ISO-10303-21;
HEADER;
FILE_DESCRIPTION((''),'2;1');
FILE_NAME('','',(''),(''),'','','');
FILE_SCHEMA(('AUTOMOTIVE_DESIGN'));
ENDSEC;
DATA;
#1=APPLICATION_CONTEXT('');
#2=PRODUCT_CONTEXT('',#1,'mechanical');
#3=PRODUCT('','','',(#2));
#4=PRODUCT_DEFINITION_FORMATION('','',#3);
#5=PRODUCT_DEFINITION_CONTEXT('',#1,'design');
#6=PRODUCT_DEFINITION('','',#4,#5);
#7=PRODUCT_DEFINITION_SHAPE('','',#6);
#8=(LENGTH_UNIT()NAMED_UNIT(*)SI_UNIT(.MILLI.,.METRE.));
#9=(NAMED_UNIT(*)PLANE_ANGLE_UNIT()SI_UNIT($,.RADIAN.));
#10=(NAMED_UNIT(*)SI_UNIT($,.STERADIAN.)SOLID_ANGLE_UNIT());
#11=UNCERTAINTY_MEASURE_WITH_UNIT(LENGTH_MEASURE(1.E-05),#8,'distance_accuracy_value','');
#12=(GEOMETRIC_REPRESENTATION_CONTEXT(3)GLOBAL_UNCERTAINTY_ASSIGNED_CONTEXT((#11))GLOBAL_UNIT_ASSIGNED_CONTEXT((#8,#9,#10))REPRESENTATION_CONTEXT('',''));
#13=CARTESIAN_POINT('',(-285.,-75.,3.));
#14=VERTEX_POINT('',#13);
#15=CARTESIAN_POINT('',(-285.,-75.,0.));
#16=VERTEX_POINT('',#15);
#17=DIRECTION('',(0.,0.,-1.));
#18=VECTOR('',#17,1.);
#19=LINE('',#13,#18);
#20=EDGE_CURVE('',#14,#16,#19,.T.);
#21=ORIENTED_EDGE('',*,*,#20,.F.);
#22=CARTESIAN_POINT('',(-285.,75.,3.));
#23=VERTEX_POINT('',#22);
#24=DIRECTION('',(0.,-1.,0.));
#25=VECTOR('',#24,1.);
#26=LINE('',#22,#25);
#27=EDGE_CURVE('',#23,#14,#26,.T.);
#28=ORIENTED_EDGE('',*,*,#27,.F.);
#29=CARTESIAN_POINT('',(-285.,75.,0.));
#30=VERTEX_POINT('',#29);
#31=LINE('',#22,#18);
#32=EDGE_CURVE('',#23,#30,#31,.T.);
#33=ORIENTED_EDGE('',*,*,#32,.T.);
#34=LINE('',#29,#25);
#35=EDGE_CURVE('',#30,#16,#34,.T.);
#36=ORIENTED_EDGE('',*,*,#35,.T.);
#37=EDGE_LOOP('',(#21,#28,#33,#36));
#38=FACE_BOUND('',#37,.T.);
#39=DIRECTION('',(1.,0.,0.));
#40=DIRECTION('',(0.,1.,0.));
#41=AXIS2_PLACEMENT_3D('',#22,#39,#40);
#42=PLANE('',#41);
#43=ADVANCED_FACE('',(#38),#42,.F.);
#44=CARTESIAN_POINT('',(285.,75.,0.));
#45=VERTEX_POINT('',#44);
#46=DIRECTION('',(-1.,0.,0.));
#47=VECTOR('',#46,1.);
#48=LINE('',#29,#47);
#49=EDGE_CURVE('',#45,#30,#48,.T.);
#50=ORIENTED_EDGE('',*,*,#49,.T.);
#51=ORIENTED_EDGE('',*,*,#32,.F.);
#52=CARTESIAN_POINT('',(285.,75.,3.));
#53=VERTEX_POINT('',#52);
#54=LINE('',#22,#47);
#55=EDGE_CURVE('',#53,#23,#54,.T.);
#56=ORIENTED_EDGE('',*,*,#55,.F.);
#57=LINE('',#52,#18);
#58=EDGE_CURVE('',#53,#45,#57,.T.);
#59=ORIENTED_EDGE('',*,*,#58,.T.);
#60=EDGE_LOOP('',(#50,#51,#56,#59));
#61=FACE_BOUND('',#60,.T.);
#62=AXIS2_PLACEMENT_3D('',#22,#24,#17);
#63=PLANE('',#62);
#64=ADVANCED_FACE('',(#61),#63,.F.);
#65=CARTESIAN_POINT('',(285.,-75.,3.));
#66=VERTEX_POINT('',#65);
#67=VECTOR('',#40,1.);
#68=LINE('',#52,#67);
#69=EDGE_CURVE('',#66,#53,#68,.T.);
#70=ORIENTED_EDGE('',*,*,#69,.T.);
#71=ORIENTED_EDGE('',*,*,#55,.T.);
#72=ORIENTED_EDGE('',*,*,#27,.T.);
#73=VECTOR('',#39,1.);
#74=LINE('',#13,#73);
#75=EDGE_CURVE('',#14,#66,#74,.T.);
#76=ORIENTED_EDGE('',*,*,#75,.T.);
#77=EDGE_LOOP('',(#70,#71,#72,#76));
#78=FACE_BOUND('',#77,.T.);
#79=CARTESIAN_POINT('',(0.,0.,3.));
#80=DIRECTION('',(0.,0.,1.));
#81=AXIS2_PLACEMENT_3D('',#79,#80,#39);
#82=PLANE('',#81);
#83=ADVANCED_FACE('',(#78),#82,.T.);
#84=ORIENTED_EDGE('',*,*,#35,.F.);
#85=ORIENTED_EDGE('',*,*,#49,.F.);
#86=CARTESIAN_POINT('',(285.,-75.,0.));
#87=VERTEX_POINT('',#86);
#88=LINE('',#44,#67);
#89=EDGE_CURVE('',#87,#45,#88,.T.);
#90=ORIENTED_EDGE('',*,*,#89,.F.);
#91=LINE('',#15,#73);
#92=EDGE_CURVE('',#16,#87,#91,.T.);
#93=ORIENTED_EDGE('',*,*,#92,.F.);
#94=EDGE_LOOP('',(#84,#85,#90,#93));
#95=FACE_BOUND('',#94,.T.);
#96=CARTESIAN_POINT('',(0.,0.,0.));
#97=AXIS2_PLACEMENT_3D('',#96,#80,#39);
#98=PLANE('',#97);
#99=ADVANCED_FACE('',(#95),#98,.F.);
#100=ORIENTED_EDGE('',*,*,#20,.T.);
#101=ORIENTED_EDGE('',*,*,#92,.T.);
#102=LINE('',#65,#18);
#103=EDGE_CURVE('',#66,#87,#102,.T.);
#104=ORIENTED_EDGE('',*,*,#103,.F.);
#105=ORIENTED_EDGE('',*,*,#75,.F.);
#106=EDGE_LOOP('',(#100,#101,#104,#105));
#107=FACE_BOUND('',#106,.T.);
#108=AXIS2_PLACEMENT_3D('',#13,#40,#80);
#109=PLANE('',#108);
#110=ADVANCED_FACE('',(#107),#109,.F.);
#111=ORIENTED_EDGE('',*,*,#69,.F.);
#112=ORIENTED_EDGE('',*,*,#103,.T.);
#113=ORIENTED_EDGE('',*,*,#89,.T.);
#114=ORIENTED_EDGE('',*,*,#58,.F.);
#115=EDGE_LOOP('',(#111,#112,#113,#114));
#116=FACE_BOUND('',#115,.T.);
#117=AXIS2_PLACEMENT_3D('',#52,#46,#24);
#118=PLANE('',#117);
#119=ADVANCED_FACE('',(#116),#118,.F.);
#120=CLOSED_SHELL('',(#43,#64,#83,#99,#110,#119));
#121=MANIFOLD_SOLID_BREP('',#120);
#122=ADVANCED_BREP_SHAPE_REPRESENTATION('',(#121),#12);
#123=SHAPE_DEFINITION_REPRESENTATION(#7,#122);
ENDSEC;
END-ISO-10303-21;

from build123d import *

# Parameters (mm, degrees)
SKETCH1_W           = 570
SKETCH1_H           = 150
BOSS_EXTRUDE1_DEPTH = 3


with BuildPart() as part:
    # Sketch1 → Boss-Extrude1 (new body)
    with BuildSketch(Plane.XY):
        Rectangle(SKETCH1_W, SKETCH1_H)
    extrude(amount=BOSS_EXTRUDE1_DEPTH)


solid = part.part
